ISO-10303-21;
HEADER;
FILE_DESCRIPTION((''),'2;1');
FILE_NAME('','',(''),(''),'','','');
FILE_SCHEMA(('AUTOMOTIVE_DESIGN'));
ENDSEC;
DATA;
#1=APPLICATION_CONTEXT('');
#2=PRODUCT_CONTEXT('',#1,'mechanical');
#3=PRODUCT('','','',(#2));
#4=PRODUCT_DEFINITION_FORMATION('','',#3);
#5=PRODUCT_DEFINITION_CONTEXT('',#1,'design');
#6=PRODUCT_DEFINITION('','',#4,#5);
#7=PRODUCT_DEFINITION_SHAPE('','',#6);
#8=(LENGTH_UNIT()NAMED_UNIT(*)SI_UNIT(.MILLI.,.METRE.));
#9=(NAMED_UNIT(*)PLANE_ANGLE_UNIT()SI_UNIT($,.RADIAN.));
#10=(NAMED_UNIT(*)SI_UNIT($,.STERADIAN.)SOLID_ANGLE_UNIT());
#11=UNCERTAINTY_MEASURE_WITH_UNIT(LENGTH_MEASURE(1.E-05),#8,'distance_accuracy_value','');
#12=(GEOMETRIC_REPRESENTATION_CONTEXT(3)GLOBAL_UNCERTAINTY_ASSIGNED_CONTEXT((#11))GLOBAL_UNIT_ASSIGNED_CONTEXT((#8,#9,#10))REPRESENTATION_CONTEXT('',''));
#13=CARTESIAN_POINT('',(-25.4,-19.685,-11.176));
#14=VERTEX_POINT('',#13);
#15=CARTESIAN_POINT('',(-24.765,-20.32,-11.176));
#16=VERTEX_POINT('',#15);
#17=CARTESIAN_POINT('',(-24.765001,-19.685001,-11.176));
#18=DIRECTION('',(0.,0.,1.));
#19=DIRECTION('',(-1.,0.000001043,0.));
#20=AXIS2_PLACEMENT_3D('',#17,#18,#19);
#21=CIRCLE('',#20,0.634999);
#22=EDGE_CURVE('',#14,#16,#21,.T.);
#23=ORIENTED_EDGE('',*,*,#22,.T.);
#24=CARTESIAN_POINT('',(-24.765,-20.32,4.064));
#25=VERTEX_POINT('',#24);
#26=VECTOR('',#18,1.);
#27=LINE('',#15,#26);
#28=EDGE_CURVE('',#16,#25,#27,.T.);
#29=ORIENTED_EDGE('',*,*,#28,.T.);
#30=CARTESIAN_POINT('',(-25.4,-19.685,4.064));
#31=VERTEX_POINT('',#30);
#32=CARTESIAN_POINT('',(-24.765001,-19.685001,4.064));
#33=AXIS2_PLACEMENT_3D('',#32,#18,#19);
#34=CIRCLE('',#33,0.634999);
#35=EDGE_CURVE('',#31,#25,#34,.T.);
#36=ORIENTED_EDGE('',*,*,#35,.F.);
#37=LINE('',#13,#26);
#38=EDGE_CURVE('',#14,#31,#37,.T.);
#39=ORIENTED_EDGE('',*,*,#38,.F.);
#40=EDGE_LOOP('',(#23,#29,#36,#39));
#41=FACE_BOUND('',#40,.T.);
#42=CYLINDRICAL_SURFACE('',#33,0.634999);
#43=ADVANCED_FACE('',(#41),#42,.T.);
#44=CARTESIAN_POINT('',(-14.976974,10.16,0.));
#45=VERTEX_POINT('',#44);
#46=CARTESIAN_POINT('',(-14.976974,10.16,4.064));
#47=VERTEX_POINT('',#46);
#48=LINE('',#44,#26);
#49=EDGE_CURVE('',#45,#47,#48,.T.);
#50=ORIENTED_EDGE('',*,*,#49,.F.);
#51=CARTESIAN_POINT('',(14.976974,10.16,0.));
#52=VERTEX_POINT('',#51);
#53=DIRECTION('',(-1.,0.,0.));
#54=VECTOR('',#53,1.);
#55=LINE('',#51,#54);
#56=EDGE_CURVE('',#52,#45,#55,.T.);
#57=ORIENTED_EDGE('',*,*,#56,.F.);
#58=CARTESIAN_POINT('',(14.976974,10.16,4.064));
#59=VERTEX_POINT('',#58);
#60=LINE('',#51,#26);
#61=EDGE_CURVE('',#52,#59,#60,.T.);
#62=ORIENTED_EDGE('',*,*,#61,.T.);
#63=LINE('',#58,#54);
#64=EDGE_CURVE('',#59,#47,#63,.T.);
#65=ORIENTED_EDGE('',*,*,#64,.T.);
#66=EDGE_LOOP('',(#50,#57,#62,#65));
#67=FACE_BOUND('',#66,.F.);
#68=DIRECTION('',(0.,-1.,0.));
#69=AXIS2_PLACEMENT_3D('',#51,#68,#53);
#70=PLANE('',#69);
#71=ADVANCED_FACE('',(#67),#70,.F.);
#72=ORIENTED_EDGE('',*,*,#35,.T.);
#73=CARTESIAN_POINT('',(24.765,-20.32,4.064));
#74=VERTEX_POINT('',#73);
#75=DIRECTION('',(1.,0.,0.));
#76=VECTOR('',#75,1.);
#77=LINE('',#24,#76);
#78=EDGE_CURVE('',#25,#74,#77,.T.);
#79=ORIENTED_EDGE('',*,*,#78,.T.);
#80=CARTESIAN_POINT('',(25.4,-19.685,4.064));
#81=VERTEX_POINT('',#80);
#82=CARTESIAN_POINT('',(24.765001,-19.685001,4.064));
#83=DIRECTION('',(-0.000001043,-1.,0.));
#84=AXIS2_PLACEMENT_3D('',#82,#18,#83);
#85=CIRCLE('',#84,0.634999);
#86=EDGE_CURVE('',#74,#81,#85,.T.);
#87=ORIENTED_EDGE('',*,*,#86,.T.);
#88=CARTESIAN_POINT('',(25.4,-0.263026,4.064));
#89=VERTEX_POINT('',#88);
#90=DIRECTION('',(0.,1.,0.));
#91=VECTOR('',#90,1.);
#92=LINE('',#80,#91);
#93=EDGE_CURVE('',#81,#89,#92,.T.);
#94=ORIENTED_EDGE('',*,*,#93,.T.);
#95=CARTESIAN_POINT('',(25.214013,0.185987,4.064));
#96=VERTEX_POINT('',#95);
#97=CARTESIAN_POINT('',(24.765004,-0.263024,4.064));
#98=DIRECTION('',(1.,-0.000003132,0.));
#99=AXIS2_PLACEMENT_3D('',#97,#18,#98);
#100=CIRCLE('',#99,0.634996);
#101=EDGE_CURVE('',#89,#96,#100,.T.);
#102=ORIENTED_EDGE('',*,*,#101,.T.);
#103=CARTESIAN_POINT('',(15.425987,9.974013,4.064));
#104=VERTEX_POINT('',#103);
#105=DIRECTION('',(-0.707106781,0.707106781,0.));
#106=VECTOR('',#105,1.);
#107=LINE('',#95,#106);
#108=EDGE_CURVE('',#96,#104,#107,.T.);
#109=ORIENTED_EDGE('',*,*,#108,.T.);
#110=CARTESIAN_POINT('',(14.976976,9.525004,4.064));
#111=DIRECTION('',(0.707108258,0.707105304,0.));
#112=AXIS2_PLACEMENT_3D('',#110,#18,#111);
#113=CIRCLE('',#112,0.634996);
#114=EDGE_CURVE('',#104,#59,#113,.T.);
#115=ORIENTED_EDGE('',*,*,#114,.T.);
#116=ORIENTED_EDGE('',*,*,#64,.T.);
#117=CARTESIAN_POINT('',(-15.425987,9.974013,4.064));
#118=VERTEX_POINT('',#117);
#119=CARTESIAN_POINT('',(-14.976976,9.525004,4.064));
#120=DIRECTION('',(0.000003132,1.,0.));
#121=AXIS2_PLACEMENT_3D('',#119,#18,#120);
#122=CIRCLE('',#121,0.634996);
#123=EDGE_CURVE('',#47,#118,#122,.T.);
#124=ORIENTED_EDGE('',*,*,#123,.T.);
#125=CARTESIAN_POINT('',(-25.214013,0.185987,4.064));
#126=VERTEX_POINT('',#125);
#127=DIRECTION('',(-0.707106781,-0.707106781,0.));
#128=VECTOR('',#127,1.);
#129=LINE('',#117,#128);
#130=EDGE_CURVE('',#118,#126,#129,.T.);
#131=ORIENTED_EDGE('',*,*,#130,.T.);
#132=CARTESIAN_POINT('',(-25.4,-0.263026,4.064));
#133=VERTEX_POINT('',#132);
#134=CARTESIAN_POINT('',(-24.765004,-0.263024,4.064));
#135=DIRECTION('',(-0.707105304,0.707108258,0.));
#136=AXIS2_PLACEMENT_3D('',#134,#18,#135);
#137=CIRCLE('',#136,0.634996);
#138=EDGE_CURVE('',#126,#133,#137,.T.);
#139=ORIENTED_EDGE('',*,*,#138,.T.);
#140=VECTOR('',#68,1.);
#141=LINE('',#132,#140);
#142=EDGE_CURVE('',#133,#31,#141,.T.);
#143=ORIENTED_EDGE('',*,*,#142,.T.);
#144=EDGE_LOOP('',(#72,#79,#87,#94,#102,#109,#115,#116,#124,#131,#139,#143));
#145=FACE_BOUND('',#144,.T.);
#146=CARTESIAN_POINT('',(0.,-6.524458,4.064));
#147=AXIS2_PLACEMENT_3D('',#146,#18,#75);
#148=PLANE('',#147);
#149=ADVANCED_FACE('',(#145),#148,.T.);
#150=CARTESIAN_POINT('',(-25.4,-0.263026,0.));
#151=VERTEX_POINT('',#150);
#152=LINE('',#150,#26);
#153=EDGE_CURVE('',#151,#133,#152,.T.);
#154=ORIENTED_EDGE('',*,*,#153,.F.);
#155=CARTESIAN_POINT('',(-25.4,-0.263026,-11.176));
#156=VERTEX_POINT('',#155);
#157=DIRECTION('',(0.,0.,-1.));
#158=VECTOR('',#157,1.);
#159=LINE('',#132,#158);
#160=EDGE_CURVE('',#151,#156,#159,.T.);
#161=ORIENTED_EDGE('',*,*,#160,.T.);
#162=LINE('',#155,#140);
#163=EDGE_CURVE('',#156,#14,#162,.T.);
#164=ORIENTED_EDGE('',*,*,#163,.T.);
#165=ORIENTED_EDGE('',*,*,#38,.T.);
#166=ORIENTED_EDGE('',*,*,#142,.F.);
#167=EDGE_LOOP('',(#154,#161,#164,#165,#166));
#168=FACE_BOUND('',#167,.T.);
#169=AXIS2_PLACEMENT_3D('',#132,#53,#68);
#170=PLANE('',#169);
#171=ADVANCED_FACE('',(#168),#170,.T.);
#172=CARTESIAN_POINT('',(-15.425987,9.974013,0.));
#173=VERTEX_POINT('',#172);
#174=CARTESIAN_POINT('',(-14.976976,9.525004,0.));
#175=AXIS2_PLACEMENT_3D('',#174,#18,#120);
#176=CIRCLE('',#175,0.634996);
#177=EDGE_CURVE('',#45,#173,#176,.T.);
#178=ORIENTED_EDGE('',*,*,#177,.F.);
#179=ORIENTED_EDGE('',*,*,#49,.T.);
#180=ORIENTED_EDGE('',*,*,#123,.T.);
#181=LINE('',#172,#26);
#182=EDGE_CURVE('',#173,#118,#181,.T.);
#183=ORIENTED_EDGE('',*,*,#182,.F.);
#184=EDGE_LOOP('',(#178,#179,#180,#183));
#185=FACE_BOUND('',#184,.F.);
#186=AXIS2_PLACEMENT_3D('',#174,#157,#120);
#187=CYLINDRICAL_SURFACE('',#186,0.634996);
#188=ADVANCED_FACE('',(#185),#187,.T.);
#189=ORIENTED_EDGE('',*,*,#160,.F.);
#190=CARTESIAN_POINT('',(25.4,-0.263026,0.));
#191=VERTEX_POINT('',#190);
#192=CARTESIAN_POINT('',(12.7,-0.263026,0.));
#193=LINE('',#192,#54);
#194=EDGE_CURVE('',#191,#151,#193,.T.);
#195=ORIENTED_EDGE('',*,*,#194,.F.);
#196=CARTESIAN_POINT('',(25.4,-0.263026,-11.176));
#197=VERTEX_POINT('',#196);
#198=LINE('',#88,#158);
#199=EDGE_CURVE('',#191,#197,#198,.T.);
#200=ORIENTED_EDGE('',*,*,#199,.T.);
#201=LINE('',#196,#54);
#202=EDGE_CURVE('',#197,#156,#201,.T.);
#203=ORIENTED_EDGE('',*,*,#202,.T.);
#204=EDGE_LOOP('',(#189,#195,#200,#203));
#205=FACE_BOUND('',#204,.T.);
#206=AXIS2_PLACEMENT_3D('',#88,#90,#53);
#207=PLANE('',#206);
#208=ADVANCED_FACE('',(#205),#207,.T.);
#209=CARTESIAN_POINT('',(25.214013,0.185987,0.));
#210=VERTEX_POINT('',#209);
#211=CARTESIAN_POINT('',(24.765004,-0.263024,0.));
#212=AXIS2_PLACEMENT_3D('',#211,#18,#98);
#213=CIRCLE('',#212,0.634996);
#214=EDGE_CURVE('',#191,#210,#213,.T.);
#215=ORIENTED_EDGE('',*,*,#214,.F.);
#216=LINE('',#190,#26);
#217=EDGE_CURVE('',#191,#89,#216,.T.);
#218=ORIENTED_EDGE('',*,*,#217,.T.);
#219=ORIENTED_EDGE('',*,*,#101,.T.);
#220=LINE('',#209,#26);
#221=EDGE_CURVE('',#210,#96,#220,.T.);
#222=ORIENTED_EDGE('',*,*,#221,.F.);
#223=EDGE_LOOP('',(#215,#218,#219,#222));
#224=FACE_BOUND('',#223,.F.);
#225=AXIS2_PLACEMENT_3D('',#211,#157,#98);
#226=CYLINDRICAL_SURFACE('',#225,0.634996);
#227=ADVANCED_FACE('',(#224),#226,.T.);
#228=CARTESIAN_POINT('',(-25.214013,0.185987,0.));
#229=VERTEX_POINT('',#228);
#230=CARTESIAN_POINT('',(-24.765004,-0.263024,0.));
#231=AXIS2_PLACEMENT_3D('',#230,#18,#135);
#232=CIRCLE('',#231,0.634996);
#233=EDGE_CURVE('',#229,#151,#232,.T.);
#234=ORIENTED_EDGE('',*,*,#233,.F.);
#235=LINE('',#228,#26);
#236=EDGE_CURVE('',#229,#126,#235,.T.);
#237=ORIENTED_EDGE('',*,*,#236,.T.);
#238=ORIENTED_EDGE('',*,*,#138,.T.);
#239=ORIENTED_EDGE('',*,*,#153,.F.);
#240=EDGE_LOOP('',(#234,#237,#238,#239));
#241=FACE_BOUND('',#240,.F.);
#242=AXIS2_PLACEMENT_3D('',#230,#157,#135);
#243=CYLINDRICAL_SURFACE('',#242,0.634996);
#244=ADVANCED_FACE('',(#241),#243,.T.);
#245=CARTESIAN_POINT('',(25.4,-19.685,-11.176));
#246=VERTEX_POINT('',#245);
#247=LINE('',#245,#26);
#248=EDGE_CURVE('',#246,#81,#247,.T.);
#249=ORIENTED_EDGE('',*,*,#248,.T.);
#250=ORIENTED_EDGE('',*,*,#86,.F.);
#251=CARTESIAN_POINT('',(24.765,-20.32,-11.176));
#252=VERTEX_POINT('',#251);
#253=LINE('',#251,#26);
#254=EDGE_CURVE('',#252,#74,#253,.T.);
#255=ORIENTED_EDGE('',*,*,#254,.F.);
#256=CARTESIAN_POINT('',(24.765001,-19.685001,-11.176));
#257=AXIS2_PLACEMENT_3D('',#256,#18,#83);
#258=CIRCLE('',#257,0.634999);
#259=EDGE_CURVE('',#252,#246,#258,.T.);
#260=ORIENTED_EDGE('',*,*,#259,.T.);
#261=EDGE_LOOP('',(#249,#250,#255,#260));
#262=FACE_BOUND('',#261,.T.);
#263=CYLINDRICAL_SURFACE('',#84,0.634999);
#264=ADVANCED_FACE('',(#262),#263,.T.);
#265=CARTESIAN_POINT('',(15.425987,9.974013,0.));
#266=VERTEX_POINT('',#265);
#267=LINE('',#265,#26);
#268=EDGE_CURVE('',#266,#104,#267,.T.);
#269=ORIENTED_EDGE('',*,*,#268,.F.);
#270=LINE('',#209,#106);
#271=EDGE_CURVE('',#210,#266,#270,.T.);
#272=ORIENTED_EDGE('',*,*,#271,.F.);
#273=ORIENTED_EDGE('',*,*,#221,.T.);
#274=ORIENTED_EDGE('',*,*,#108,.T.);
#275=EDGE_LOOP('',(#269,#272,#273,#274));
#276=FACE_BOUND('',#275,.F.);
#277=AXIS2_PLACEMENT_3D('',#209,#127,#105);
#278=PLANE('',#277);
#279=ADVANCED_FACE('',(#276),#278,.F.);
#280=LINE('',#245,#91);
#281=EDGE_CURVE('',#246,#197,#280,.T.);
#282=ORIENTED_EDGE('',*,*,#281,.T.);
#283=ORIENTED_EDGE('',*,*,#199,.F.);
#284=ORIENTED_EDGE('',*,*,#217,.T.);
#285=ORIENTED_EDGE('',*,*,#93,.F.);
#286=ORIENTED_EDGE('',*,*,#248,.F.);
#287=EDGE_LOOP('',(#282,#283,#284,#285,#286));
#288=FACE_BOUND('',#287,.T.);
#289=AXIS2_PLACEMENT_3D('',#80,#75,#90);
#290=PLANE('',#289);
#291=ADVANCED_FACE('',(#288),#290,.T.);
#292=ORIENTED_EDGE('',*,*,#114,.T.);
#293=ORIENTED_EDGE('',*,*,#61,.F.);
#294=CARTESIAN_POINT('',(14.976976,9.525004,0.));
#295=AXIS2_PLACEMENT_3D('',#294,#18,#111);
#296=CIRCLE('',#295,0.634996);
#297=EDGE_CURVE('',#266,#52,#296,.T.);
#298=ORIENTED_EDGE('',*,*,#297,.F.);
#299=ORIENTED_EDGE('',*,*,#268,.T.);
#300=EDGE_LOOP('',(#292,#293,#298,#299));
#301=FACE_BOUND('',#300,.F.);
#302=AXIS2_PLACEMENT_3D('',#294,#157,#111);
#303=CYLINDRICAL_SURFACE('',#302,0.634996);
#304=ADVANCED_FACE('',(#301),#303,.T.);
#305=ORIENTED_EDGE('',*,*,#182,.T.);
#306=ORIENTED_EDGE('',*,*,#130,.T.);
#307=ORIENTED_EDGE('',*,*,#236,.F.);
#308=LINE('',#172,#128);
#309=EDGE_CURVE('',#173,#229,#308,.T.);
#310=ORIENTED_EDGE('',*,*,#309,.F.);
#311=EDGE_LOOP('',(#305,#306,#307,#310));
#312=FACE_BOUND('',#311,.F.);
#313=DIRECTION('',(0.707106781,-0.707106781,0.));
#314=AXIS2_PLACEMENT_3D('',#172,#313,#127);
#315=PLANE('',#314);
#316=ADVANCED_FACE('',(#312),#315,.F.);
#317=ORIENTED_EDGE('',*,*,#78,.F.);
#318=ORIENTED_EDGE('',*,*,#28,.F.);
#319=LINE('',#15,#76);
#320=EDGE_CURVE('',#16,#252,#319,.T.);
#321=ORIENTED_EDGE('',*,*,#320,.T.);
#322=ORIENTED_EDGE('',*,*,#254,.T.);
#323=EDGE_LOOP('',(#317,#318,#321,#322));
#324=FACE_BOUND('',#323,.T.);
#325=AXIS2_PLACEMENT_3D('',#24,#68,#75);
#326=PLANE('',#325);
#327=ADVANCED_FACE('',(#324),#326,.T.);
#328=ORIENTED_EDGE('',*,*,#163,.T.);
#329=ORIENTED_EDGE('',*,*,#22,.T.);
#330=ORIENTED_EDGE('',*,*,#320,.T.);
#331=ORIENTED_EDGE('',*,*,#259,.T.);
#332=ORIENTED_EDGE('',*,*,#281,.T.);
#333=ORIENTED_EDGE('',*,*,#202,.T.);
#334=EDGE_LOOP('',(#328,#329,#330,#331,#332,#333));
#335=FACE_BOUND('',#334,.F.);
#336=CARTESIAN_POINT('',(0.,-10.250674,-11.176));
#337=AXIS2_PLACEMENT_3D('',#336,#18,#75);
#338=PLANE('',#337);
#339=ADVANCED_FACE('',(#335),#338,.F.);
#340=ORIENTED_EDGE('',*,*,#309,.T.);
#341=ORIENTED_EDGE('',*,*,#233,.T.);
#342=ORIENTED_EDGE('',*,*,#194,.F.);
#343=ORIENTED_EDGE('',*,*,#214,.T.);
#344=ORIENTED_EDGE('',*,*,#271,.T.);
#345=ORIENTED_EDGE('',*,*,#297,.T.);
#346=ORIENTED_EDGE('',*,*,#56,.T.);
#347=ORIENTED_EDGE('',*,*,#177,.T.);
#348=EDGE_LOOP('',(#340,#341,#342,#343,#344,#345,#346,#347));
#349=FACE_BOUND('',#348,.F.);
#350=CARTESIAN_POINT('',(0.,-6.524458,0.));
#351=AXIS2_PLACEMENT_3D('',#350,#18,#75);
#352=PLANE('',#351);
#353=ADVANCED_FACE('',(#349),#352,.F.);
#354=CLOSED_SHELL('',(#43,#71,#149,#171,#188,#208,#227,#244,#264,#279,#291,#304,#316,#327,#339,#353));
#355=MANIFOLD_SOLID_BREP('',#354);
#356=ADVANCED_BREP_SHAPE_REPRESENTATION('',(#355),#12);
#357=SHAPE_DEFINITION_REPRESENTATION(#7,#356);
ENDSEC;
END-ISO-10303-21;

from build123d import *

# Parameters (mm, degrees)
F1_DEPTH = 4.064
F3_DEPTH = 15.24
F4_DEPTH = 15.24


with BuildPart() as f1:
    # F0 (on Top) → F1 (new body)
    with BuildSketch(Plane.XY):
        with BuildLine():
            Line((14.976974, 10.16), (-14.976974, 10.16))
            ThreePointArc((-14.976974, 10.16), (-15.219978, 10.111664), (-15.425987, 9.974013))
            Line((-15.425987, 9.974013), (-25.214013, 0.185987))
            ThreePointArc((-25.214013, 0.185987), (-25.351664, -0.020022), (-25.4, -0.263026))
            Line((-25.4, -0.263026), (-25.4, -1.251))
            Line((-25.4, -1.251), (-25.4, -19.685))
            ThreePointArc((-25.4, -19.685), (-25.214013, -20.134013), (-24.765, -20.32))
            Line((-24.765, -20.32), (24.765, -20.32))
            ThreePointArc((24.765, -20.32), (25.214013, -20.134013), (25.4, -19.685))
            Line((25.4, -19.685), (25.4, -0.263026))
            ThreePointArc((25.4, -0.263026), (25.351664, -0.020022), (25.214013, 0.185987))
            Line((25.214013, 0.185987), (15.425987, 9.974013))
            ThreePointArc((15.425987, 9.974013), (15.219978, 10.111664), (14.976974, 10.16))
        make_face()
    extrude(amount=F1_DEPTH)

    # F2 (on face) → F3 (join)
    with BuildSketch(Plane.XY.offset(4.064)):
        with BuildLine():
            Line((-25.4, -0.263026), (-25.4, -19.685))
            ThreePointArc((-25.4, -19.685), (-25.214013, -20.134013), (-24.765, -20.32))
            Line((-24.765, -20.32), (24.765, -20.32))
            ThreePointArc((24.765, -20.32), (25.214013, -20.134013), (25.4, -19.685))
            Line((25.4, -19.685), (25.4, -0.263026))
            Line((25.4, -0.263026), (-25.4, -0.263026))
        make_face()
    extrude(amount=-F3_DEPTH)

    # F2 (on face) → F4 (join)
    with BuildSketch(Plane.XY.offset(4.064)):
        with BuildLine():
            Line((-25.4, -0.263026), (-25.4, -19.685))
            ThreePointArc((-25.4, -19.685), (-25.214013, -20.134013), (-24.765, -20.32))
            Line((-24.765, -20.32), (24.765, -20.32))
            ThreePointArc((24.765, -20.32), (25.214013, -20.134013), (25.4, -19.685))
            Line((25.4, -19.685), (25.4, -0.263026))
            Line((25.4, -0.263026), (-25.4, -0.263026))
        make_face()
    extrude(amount=-F4_DEPTH)


solid = f1.part
